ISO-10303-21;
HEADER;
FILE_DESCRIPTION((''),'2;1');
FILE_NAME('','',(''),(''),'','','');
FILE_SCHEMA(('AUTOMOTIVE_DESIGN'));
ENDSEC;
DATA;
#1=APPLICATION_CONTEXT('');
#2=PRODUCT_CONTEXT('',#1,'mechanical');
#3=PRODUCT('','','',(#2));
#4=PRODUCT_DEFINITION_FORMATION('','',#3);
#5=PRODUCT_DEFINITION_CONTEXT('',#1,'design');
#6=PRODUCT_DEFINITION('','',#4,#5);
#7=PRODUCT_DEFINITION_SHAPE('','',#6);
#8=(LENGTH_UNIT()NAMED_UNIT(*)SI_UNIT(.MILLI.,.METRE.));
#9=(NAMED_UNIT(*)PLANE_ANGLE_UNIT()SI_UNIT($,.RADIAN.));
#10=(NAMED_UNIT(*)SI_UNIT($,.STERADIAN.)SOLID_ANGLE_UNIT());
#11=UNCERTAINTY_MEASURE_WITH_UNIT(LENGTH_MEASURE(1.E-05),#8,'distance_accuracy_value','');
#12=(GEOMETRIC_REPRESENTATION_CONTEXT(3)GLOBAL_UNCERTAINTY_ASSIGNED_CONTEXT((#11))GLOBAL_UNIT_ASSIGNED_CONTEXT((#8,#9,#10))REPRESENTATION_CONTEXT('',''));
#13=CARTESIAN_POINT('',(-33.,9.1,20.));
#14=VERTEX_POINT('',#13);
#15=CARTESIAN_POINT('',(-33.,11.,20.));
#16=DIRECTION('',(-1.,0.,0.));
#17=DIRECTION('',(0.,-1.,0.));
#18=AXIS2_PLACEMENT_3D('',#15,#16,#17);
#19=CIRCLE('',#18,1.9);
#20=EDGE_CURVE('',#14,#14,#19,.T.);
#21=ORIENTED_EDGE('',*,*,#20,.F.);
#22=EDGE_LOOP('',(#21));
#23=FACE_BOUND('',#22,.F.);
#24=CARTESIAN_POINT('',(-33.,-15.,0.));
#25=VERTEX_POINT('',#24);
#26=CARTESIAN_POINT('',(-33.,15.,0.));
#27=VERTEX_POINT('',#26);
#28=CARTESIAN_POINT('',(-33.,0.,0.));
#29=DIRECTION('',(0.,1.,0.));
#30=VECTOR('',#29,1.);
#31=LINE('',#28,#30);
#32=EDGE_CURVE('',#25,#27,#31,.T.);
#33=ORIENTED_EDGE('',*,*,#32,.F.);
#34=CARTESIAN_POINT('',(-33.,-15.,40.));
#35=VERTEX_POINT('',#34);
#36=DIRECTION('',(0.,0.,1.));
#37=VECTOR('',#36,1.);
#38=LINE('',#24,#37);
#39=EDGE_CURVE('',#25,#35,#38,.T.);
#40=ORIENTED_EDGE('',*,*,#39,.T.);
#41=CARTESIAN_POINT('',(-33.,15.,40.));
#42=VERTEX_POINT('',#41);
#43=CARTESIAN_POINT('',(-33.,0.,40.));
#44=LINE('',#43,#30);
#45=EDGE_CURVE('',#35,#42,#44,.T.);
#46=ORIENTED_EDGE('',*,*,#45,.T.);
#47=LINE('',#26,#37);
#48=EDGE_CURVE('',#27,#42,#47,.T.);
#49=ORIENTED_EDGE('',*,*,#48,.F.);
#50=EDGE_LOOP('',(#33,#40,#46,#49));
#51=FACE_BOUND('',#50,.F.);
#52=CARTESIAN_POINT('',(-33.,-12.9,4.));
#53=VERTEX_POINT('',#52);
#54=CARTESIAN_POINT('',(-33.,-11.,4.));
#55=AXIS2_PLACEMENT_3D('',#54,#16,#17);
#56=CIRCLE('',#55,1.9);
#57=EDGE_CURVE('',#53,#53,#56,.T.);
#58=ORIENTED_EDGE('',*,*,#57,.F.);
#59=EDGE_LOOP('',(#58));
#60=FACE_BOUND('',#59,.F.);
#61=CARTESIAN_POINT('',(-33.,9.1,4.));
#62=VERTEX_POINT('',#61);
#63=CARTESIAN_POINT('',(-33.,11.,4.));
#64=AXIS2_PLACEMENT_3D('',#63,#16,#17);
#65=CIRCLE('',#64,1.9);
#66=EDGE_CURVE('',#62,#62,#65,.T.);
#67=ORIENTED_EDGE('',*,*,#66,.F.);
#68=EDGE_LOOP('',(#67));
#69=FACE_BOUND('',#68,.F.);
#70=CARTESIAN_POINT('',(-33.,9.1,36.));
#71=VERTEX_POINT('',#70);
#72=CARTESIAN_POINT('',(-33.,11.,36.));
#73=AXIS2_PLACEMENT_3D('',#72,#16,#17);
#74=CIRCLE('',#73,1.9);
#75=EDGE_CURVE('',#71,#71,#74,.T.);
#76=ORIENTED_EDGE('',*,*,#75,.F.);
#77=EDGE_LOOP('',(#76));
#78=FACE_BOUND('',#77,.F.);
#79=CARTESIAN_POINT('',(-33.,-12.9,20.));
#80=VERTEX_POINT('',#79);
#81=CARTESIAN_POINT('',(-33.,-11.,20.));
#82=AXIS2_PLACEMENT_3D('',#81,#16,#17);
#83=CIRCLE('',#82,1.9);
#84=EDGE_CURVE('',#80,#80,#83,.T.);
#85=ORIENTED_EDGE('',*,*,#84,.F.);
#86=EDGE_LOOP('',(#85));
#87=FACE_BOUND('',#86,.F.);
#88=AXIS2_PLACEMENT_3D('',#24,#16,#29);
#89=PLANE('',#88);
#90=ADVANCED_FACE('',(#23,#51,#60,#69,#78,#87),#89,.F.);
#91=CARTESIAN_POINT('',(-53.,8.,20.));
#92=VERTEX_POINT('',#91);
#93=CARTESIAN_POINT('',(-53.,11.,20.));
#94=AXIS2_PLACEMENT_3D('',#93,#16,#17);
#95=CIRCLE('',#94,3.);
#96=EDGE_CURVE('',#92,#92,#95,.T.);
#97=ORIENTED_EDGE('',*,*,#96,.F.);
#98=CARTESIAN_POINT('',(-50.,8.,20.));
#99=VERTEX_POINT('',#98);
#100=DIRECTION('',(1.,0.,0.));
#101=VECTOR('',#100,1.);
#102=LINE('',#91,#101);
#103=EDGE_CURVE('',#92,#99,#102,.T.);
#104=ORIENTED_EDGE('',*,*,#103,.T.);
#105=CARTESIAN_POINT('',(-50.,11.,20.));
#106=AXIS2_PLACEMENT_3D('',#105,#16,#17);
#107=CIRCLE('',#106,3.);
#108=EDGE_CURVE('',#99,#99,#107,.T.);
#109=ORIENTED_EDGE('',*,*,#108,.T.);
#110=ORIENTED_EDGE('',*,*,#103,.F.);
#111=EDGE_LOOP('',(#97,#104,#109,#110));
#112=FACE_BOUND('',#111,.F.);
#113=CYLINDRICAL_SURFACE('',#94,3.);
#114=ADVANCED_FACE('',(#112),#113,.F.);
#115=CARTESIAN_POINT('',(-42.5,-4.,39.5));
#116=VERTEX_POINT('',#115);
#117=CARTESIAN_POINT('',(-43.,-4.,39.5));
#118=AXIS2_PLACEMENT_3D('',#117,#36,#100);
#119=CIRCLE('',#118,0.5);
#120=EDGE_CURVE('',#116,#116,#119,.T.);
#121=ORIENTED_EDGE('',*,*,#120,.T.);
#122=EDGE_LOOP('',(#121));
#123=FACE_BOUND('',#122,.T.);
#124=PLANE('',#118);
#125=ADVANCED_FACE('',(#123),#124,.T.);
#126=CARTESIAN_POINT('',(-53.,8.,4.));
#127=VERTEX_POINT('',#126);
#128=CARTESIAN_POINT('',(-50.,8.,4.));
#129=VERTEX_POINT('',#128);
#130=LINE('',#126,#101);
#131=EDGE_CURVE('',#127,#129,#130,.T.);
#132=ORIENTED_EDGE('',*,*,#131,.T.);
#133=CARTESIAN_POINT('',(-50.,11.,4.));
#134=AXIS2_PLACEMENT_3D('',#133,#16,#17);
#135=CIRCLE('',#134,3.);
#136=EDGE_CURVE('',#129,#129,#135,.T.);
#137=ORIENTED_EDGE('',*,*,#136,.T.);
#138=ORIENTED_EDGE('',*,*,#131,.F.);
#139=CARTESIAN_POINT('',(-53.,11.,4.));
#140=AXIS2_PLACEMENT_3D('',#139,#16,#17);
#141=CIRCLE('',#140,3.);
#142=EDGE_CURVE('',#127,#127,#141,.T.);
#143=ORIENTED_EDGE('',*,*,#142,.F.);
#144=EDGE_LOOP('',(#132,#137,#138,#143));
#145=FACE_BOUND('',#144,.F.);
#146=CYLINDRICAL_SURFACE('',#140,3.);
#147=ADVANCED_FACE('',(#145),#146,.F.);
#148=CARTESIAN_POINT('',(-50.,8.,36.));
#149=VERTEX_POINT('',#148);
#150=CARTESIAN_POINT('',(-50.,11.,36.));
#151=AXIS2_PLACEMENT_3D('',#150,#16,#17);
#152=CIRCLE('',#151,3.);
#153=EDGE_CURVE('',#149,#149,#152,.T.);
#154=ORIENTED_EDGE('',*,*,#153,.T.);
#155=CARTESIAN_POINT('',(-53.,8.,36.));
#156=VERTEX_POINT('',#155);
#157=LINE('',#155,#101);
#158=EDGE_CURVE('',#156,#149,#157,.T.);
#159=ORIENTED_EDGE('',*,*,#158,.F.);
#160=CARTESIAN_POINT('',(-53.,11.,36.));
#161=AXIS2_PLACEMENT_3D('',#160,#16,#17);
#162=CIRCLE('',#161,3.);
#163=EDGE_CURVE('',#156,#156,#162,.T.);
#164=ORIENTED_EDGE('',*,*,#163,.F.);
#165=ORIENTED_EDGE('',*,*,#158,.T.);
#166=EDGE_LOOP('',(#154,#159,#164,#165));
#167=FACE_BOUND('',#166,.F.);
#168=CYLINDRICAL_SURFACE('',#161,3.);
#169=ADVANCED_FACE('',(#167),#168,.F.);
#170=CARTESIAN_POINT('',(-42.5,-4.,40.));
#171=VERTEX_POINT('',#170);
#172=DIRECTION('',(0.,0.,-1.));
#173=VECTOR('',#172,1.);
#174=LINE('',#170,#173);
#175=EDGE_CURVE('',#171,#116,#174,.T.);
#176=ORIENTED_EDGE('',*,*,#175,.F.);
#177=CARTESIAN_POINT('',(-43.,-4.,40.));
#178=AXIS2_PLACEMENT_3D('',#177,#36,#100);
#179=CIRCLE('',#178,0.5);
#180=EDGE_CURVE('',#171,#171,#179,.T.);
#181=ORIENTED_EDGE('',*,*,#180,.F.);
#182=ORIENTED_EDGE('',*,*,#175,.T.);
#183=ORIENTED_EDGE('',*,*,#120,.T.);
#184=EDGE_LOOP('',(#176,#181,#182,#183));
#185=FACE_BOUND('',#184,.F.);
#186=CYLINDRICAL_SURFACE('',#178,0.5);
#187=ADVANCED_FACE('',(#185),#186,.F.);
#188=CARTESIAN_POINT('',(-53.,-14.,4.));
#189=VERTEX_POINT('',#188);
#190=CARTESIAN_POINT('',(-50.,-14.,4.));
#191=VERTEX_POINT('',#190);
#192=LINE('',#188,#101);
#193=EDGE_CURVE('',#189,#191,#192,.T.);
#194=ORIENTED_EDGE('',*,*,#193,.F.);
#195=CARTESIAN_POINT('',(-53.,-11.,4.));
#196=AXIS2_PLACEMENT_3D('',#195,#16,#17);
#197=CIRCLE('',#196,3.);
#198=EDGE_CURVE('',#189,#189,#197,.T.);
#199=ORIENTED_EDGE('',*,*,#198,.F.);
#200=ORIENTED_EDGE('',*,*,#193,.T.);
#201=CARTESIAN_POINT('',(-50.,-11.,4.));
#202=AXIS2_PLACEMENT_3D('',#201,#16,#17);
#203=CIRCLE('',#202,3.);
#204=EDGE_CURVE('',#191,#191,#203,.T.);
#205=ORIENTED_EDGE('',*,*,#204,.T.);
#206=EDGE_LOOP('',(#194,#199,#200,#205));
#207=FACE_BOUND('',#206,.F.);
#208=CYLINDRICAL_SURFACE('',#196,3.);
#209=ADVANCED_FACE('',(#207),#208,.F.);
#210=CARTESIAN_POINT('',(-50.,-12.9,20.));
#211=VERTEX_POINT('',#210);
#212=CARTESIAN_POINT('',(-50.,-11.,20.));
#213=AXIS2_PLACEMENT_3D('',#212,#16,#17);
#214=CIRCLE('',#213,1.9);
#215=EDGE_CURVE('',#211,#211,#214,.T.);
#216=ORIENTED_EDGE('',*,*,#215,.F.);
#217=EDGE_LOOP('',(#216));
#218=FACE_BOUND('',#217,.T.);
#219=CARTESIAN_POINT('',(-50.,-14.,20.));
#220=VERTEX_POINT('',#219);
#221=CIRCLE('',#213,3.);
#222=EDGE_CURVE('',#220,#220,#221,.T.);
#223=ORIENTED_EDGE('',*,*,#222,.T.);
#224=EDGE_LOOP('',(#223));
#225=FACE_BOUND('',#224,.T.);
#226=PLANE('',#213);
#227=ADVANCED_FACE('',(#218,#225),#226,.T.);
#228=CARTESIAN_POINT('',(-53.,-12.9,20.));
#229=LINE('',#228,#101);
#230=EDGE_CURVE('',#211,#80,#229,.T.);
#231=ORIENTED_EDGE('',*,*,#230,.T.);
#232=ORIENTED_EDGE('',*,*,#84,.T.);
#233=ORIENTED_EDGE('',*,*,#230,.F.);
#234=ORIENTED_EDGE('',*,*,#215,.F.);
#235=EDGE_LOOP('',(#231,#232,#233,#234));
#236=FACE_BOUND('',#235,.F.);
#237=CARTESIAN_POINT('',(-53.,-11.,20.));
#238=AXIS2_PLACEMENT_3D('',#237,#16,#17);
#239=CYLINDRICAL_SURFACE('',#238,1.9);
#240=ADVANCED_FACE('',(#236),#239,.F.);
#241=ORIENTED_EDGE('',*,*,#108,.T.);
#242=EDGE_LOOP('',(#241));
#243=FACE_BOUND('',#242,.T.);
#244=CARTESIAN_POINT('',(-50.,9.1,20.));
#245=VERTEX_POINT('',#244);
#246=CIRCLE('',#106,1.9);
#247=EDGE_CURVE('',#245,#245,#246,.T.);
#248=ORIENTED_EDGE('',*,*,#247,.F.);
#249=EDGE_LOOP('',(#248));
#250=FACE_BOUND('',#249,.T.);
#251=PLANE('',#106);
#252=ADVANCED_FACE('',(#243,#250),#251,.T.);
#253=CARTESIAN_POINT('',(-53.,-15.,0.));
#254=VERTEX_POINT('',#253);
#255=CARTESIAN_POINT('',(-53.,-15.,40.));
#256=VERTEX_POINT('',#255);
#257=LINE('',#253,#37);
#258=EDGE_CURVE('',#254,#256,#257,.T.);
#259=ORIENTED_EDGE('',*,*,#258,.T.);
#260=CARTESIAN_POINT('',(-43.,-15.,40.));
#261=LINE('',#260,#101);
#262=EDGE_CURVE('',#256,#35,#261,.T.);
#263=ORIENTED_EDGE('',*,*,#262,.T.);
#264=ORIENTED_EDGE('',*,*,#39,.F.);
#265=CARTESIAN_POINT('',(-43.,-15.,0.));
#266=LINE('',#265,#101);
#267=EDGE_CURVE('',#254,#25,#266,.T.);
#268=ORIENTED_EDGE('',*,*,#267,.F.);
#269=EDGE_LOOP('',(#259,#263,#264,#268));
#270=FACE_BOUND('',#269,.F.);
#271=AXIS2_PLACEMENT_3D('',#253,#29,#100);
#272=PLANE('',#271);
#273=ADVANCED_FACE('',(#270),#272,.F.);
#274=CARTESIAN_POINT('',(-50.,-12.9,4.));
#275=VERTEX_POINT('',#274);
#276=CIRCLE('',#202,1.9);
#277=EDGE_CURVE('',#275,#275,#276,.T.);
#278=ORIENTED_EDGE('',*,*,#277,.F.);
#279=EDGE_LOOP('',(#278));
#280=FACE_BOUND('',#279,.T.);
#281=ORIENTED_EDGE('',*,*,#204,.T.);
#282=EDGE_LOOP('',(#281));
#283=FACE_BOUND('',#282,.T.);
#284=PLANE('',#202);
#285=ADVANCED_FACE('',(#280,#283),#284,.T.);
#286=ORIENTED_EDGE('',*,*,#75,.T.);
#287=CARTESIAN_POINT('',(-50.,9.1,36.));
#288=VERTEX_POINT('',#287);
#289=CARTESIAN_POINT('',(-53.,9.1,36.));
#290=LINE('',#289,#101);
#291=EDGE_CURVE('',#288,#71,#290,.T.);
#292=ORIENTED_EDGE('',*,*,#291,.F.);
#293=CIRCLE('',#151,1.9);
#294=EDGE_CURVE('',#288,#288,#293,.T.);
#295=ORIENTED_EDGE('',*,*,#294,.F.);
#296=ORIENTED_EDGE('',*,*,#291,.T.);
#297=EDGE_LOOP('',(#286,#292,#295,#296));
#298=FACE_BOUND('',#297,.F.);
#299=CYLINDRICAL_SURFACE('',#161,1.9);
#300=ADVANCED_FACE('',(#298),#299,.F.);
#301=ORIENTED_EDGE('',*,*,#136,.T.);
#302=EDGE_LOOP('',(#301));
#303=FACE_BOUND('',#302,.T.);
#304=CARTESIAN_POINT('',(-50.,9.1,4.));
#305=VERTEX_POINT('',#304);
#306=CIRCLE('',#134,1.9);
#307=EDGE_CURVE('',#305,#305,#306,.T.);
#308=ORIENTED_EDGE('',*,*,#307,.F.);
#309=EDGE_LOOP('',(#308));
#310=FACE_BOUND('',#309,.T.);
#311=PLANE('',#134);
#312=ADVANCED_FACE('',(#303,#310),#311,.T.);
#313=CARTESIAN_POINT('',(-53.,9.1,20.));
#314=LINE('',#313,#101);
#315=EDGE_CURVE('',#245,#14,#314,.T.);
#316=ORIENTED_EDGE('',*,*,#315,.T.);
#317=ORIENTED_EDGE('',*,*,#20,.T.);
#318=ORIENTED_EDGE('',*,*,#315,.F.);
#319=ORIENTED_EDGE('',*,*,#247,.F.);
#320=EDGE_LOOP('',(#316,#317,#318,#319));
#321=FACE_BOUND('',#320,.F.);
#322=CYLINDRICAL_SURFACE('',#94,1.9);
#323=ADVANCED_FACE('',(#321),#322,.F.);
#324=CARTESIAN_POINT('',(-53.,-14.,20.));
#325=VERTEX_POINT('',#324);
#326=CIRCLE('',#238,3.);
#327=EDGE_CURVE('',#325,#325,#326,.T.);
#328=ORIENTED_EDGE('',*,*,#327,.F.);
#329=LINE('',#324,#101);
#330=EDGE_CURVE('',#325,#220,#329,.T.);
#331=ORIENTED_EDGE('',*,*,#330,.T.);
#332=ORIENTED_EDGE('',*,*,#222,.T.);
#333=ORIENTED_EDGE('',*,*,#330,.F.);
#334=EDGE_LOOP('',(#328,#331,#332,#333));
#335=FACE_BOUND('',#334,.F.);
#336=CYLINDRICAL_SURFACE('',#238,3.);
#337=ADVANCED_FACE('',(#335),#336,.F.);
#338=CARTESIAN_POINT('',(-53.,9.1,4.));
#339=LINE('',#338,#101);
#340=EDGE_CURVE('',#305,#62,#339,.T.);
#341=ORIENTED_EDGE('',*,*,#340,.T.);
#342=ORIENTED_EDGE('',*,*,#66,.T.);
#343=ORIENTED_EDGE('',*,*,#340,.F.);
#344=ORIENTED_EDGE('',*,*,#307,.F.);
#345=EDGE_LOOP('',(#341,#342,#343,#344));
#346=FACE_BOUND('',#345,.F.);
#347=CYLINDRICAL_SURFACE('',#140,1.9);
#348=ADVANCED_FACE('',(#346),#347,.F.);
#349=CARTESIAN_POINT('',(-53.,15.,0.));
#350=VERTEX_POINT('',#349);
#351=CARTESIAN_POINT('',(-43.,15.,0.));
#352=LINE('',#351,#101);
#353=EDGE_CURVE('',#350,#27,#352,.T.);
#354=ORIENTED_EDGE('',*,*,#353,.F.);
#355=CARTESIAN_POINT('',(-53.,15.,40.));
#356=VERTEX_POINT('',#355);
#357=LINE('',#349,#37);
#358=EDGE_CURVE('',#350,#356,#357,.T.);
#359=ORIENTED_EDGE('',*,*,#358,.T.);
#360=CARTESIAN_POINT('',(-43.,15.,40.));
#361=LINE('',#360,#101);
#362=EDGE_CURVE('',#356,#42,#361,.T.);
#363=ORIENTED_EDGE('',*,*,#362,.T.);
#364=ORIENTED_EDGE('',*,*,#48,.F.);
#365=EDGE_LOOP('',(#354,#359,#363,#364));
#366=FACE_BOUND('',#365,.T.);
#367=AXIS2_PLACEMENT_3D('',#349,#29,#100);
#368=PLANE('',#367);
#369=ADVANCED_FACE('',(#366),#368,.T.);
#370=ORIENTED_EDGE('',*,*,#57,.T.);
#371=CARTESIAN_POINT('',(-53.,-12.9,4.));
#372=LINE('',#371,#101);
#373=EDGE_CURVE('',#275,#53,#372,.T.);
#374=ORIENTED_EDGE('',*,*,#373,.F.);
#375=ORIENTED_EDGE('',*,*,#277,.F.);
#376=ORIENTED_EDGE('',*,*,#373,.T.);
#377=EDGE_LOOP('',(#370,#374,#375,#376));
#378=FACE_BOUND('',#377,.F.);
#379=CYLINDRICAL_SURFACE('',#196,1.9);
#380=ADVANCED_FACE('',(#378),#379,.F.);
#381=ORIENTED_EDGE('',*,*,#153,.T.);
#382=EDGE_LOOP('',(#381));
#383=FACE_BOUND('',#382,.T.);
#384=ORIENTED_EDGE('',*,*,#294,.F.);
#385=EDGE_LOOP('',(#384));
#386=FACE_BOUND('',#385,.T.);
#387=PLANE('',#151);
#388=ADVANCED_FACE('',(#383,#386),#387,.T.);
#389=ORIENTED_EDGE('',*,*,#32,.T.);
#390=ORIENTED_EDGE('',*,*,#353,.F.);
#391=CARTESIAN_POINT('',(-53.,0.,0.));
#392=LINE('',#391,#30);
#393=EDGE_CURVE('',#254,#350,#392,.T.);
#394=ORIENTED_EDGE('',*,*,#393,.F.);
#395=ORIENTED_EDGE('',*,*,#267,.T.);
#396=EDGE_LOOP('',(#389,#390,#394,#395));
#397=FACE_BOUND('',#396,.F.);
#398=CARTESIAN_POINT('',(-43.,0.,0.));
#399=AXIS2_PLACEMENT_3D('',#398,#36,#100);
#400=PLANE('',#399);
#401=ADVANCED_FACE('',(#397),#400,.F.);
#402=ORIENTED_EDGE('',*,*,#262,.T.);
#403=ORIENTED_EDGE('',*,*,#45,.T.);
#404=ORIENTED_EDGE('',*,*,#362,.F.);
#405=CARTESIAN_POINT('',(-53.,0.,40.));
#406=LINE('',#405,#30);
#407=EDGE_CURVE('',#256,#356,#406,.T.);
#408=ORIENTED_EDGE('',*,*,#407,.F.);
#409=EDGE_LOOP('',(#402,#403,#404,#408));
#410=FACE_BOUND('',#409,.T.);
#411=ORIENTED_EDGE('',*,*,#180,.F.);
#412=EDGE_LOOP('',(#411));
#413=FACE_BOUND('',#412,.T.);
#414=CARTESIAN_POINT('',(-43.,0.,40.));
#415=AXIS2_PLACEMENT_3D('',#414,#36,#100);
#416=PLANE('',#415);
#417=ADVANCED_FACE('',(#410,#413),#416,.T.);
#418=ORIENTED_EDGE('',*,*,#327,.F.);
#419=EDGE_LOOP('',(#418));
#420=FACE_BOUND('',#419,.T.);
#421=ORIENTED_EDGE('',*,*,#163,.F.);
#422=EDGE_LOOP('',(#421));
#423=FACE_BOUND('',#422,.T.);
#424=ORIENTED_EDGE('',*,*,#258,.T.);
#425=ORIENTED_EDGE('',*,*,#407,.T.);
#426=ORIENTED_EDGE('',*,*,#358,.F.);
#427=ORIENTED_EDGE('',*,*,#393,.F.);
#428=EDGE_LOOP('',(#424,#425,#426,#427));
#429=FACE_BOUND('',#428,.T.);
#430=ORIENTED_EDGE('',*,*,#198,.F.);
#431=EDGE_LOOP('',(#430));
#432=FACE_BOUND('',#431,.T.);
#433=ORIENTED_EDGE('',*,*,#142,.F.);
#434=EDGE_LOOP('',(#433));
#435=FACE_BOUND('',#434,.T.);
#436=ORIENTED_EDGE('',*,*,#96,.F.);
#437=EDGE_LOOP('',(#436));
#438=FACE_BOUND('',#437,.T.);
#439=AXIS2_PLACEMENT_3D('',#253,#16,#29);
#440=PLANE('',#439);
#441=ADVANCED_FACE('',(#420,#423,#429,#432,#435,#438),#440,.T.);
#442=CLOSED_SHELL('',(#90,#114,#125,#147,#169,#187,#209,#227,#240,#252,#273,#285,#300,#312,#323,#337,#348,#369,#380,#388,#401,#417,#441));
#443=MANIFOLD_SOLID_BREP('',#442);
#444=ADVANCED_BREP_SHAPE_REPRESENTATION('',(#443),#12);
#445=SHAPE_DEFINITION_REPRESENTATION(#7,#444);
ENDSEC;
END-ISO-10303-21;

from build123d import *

# Parameters (mm, degrees)
SKETCH015_W     = 20
SKETCH015_H     = 30
PAD006_DEPTH    = 40
SKETCH016_R     = 1.9
POCKET009_DEPTH = 20.001
SKETCH017_R     = 3
POCKET010_DEPTH = 3
SKETCH018_R     = 0.5
POCKET011_DEPTH = 0.5


with BuildPart() as part:
    # Sketch015 → Pad006 (new body)
    with BuildSketch(Plane.XY):
        with Locations((-43, 0)):
            Rectangle(SKETCH015_W, SKETCH015_H)
    extrude(amount=PAD006_DEPTH)

    # Sketch016 (on Face4 of Pad006) → Pocket009 (cut, through all)
    with BuildSketch(Plane(origin=(-53, 0, 0), x_dir=(0, -1, 0), z_dir=(-1, 0, 0))):
        with Locations((-11, 36)):
            Circle(SKETCH016_R)
        with Locations((11, 20)):
            Circle(SKETCH016_R)
        with Locations((-11, 20)):
            Circle(SKETCH016_R)
        with Locations((-11, 4)):
            Circle(SKETCH016_R)
        with Locations((11, 4)):
            Circle(SKETCH016_R)
    extrude(amount=-POCKET009_DEPTH, mode=Mode.SUBTRACT)

    # Sketch017 (on Face2 of Pocket009) → Pocket010 (cut)
    with BuildSketch(Plane(origin=(-53, 0, 0), x_dir=(0, -1, 0), z_dir=(-1, 0, 0))):
        with Locations((-11, 36)):
            Circle(SKETCH017_R)
        with Locations((-11, 20)):
            Circle(SKETCH017_R)
        with Locations((-11, 4)):
            Circle(SKETCH017_R)
        with Locations((11, 4)):
            Circle(SKETCH017_R)
        with Locations((11, 20)):
            Circle(SKETCH017_R)
    extrude(amount=-POCKET010_DEPTH, mode=Mode.SUBTRACT)

    # Sketch018 (on Face5 of Pocket010) → Pocket011 (cut)
    with BuildSketch(Plane.XY.offset(40)):
        with Locations((-43, -4)):
            Circle(SKETCH018_R)
    extrude(amount=-POCKET011_DEPTH, mode=Mode.SUBTRACT)


solid = part.part
